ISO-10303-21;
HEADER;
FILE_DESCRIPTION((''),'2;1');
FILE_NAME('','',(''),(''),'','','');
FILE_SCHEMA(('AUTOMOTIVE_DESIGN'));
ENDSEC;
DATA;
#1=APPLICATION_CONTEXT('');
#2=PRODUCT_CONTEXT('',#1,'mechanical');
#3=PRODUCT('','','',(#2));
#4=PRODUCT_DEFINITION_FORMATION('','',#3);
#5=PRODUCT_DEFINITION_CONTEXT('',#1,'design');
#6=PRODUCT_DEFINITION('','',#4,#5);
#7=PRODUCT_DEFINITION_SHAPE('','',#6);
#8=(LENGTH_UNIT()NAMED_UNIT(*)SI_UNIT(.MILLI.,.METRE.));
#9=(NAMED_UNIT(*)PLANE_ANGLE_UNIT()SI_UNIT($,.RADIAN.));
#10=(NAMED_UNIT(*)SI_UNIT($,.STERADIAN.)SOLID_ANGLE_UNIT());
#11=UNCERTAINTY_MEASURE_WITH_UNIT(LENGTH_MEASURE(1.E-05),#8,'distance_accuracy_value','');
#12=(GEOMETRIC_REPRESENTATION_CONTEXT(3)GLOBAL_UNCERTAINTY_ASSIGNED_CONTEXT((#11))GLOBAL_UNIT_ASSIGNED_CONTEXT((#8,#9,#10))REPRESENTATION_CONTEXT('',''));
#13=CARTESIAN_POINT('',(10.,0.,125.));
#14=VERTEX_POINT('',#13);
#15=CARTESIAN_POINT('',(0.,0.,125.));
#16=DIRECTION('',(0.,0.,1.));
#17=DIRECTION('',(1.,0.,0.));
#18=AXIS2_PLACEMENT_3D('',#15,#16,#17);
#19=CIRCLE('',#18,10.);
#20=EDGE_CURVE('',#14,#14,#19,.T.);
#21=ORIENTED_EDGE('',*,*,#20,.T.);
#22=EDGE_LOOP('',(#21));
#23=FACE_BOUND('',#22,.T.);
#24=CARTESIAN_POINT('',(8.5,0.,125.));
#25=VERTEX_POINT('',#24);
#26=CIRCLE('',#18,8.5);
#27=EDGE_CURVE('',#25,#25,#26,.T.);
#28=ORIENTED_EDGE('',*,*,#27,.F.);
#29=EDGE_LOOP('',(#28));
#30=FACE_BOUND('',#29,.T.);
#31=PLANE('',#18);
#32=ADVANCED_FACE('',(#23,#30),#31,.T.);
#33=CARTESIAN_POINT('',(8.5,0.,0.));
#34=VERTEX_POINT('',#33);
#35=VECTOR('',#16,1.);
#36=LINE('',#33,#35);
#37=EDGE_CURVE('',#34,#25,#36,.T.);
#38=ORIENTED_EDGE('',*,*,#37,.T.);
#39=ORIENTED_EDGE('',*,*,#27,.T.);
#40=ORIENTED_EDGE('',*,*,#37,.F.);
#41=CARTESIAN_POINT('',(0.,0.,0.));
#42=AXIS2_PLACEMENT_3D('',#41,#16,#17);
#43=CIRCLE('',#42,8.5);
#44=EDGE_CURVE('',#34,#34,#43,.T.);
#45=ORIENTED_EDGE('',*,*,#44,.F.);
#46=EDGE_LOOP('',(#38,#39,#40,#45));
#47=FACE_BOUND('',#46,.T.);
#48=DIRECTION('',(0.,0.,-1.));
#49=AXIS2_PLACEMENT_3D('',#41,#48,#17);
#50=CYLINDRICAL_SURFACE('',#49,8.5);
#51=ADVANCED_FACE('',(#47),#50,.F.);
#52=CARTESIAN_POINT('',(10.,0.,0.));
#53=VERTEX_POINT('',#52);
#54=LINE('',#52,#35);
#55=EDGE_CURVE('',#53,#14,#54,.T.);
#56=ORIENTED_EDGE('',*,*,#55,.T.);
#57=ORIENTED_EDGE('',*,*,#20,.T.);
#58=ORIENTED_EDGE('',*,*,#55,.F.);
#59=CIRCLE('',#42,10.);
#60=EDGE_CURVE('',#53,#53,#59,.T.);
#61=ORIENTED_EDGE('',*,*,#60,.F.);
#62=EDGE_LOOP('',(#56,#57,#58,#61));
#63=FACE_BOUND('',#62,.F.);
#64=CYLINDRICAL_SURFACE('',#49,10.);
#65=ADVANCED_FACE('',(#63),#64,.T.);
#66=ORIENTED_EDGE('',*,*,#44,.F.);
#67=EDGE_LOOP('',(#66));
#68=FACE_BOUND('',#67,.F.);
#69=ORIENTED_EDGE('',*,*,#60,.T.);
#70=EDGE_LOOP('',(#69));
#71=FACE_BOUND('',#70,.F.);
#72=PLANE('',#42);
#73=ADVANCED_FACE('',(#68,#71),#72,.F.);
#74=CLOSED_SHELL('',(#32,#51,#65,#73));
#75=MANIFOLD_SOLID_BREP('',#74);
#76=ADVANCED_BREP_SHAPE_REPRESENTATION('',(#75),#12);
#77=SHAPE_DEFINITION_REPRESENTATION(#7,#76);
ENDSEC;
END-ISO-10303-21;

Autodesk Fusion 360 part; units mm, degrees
sketch "Sketch1" plane through (0, 0, 0) normal (0, 0, 1) x (1, 0, 0)
  circle A0 centre (0, 0) radius 10
  circle A1 centre (0, 0) radius 8.5
  dimension "d1" = 20
  dimension "d2" = -1.5
extrude "Extrude1" add sketch "Sketch1" along normal blind 125
